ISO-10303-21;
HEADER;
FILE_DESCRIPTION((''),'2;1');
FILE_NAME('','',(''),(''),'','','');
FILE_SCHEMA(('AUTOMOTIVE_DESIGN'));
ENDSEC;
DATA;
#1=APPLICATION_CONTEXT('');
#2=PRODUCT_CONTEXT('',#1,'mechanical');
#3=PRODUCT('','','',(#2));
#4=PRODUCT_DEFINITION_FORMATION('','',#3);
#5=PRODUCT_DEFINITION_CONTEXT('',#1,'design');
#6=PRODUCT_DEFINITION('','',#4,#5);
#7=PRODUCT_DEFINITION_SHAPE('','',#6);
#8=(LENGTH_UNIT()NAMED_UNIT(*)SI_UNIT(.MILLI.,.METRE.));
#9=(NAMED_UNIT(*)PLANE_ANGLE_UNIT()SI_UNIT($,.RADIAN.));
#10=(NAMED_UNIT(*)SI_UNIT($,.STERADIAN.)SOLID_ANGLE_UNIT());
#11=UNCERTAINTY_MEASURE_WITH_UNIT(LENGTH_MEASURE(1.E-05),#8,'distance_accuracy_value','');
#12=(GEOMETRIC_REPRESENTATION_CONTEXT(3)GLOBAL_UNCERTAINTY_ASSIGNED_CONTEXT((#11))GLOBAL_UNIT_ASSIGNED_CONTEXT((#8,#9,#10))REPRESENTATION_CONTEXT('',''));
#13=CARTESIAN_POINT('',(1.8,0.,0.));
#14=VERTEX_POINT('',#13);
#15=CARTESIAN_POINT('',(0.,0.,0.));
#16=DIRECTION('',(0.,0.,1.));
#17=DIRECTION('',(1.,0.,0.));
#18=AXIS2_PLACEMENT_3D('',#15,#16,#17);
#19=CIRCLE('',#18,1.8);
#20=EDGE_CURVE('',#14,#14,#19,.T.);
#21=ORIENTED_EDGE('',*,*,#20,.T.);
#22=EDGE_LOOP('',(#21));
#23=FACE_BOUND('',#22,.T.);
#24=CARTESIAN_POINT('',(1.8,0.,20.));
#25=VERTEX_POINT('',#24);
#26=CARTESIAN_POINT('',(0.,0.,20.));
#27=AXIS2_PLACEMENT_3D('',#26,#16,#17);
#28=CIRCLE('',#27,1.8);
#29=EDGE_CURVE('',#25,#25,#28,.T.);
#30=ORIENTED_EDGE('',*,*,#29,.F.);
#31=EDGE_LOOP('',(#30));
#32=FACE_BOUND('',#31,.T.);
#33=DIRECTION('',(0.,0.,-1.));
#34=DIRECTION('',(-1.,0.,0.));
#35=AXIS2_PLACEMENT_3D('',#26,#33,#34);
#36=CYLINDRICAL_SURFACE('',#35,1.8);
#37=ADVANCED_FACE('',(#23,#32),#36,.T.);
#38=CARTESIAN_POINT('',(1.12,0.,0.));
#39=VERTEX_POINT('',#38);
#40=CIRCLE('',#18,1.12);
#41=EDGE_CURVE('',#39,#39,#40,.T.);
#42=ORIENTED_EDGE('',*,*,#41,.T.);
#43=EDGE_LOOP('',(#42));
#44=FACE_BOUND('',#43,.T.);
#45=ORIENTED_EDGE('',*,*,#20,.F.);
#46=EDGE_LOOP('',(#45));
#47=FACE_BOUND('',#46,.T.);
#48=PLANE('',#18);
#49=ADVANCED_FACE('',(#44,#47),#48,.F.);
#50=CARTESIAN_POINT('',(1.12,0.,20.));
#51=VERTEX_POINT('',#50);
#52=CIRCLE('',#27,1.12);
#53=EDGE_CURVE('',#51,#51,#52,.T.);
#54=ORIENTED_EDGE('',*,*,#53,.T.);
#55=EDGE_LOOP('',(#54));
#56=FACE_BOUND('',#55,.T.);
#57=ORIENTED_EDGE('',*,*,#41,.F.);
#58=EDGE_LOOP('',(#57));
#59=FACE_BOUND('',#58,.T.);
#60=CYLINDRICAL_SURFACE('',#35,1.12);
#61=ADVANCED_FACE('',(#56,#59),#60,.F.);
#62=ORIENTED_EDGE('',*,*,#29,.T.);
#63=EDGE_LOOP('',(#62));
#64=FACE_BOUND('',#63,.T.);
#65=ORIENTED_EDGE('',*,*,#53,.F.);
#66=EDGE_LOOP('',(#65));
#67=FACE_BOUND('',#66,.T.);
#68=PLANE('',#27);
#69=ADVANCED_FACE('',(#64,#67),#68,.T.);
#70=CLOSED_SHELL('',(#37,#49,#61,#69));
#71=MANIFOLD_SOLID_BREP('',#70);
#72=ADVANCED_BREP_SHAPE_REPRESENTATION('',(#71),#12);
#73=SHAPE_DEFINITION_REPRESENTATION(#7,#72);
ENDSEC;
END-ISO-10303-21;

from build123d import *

# Parameters (mm, degrees)
CROQUIS1_R              = 1.8
CROQUIS1_R_2            = 1.12
SALIENTE_EXTRUIR1_DEPTH = 20


with BuildPart() as part:
    # Croquis1 → Saliente-Extruir1 (new body)
    with BuildSketch(Plane.XY):
        Circle(CROQUIS1_R)
        Circle(CROQUIS1_R_2, mode=Mode.SUBTRACT)
    extrude(amount=SALIENTE_EXTRUIR1_DEPTH)


solid = part.part
